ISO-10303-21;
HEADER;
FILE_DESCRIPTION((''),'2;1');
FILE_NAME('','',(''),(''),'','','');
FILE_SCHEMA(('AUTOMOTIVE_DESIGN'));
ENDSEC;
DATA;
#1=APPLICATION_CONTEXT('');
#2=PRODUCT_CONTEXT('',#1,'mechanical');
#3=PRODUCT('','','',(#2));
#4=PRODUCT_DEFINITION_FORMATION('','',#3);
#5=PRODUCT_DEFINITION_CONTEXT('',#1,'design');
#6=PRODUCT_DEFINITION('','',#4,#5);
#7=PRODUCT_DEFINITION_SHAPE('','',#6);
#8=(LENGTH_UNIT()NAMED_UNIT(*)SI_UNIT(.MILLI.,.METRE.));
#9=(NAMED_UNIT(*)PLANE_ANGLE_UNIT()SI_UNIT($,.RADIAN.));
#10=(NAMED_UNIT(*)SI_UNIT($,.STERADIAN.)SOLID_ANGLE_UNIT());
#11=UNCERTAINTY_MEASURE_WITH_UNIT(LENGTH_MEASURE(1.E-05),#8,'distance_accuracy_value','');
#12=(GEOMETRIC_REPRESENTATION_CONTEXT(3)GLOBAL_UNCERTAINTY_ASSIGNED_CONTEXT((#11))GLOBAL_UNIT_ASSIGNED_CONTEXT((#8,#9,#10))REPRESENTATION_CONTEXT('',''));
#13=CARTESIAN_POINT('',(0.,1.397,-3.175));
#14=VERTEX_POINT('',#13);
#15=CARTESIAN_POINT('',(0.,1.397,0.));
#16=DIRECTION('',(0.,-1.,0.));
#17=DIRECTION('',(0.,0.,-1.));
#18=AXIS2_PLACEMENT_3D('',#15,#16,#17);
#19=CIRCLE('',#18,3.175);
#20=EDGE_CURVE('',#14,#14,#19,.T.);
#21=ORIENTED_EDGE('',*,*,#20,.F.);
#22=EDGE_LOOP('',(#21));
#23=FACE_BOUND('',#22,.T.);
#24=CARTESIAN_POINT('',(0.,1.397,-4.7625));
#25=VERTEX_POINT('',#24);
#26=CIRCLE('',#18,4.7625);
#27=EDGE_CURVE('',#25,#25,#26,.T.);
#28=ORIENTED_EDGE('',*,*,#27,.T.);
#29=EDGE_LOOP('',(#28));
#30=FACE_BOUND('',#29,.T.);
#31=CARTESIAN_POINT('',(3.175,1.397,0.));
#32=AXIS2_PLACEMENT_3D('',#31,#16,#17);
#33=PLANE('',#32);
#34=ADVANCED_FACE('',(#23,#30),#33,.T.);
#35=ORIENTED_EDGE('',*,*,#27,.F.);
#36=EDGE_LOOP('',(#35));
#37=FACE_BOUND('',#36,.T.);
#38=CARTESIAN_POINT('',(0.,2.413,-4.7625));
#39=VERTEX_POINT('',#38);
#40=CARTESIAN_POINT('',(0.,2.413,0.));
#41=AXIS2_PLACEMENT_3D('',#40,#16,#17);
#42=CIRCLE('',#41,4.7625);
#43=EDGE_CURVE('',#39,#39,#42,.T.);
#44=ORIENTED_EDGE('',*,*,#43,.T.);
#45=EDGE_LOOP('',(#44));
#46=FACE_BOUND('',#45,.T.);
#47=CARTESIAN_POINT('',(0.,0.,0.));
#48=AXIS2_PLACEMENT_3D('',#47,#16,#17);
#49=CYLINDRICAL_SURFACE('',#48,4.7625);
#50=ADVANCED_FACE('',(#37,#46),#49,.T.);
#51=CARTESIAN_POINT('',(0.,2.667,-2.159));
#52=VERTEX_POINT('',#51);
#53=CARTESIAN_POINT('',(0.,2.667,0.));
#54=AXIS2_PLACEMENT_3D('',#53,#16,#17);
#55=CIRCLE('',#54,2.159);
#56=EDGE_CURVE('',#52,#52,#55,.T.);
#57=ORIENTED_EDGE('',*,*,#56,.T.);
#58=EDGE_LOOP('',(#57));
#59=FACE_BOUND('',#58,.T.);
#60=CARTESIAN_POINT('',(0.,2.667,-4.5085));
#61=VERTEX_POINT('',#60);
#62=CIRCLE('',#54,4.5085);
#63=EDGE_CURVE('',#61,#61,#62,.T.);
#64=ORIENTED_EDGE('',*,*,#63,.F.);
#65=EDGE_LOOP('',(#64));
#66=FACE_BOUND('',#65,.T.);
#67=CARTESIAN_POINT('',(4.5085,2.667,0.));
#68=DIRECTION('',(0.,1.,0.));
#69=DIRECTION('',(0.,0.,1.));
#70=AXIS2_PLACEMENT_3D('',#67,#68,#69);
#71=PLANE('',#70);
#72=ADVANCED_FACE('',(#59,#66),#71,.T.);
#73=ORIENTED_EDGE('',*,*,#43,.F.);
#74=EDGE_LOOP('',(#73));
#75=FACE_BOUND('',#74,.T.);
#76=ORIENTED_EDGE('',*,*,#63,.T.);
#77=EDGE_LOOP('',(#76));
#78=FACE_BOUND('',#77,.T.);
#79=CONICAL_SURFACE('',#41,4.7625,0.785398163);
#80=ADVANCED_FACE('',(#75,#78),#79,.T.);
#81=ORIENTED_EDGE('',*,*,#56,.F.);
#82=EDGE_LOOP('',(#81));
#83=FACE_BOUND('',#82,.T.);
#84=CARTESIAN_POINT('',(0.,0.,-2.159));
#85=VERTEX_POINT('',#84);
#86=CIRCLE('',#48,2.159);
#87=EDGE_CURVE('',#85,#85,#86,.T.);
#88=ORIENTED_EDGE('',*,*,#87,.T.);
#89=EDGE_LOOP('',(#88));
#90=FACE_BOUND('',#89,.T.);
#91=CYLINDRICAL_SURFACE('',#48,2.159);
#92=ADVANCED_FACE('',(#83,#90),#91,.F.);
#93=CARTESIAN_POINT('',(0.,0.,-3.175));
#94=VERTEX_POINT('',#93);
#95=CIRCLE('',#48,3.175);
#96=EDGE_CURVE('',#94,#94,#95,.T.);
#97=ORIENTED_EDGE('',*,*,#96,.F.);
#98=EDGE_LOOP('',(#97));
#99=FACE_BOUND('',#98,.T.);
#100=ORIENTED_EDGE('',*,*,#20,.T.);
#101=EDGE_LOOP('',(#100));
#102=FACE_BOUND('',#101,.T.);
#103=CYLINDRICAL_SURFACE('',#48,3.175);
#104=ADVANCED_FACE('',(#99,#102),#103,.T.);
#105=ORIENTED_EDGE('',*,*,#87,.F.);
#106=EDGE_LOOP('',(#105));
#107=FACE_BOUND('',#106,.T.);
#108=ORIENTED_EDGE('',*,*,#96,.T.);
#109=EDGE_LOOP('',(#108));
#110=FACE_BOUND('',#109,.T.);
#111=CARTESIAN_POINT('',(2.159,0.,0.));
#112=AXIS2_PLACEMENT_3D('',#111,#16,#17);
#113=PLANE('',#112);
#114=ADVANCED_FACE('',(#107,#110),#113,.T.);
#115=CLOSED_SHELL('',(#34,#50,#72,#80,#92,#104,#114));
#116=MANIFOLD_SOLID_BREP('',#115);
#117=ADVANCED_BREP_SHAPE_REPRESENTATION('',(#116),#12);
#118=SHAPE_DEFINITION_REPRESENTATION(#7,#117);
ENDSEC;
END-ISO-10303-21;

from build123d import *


with BuildPart() as part:
    # Washer Revolve Profile → Washer Revolve (revolve)
    with BuildSketch(Plane.XY):
        Polygon((2.159, 2.667), (2.159, 0), (3.175, 0), (3.175, 1.397), (4.7625, 1.397), (4.7625, 2.413), (4.5085, 2.667), align=None)
    revolve(axis=Axis((0, 0, 0), (0, 1, 0)))


solid = part.part
